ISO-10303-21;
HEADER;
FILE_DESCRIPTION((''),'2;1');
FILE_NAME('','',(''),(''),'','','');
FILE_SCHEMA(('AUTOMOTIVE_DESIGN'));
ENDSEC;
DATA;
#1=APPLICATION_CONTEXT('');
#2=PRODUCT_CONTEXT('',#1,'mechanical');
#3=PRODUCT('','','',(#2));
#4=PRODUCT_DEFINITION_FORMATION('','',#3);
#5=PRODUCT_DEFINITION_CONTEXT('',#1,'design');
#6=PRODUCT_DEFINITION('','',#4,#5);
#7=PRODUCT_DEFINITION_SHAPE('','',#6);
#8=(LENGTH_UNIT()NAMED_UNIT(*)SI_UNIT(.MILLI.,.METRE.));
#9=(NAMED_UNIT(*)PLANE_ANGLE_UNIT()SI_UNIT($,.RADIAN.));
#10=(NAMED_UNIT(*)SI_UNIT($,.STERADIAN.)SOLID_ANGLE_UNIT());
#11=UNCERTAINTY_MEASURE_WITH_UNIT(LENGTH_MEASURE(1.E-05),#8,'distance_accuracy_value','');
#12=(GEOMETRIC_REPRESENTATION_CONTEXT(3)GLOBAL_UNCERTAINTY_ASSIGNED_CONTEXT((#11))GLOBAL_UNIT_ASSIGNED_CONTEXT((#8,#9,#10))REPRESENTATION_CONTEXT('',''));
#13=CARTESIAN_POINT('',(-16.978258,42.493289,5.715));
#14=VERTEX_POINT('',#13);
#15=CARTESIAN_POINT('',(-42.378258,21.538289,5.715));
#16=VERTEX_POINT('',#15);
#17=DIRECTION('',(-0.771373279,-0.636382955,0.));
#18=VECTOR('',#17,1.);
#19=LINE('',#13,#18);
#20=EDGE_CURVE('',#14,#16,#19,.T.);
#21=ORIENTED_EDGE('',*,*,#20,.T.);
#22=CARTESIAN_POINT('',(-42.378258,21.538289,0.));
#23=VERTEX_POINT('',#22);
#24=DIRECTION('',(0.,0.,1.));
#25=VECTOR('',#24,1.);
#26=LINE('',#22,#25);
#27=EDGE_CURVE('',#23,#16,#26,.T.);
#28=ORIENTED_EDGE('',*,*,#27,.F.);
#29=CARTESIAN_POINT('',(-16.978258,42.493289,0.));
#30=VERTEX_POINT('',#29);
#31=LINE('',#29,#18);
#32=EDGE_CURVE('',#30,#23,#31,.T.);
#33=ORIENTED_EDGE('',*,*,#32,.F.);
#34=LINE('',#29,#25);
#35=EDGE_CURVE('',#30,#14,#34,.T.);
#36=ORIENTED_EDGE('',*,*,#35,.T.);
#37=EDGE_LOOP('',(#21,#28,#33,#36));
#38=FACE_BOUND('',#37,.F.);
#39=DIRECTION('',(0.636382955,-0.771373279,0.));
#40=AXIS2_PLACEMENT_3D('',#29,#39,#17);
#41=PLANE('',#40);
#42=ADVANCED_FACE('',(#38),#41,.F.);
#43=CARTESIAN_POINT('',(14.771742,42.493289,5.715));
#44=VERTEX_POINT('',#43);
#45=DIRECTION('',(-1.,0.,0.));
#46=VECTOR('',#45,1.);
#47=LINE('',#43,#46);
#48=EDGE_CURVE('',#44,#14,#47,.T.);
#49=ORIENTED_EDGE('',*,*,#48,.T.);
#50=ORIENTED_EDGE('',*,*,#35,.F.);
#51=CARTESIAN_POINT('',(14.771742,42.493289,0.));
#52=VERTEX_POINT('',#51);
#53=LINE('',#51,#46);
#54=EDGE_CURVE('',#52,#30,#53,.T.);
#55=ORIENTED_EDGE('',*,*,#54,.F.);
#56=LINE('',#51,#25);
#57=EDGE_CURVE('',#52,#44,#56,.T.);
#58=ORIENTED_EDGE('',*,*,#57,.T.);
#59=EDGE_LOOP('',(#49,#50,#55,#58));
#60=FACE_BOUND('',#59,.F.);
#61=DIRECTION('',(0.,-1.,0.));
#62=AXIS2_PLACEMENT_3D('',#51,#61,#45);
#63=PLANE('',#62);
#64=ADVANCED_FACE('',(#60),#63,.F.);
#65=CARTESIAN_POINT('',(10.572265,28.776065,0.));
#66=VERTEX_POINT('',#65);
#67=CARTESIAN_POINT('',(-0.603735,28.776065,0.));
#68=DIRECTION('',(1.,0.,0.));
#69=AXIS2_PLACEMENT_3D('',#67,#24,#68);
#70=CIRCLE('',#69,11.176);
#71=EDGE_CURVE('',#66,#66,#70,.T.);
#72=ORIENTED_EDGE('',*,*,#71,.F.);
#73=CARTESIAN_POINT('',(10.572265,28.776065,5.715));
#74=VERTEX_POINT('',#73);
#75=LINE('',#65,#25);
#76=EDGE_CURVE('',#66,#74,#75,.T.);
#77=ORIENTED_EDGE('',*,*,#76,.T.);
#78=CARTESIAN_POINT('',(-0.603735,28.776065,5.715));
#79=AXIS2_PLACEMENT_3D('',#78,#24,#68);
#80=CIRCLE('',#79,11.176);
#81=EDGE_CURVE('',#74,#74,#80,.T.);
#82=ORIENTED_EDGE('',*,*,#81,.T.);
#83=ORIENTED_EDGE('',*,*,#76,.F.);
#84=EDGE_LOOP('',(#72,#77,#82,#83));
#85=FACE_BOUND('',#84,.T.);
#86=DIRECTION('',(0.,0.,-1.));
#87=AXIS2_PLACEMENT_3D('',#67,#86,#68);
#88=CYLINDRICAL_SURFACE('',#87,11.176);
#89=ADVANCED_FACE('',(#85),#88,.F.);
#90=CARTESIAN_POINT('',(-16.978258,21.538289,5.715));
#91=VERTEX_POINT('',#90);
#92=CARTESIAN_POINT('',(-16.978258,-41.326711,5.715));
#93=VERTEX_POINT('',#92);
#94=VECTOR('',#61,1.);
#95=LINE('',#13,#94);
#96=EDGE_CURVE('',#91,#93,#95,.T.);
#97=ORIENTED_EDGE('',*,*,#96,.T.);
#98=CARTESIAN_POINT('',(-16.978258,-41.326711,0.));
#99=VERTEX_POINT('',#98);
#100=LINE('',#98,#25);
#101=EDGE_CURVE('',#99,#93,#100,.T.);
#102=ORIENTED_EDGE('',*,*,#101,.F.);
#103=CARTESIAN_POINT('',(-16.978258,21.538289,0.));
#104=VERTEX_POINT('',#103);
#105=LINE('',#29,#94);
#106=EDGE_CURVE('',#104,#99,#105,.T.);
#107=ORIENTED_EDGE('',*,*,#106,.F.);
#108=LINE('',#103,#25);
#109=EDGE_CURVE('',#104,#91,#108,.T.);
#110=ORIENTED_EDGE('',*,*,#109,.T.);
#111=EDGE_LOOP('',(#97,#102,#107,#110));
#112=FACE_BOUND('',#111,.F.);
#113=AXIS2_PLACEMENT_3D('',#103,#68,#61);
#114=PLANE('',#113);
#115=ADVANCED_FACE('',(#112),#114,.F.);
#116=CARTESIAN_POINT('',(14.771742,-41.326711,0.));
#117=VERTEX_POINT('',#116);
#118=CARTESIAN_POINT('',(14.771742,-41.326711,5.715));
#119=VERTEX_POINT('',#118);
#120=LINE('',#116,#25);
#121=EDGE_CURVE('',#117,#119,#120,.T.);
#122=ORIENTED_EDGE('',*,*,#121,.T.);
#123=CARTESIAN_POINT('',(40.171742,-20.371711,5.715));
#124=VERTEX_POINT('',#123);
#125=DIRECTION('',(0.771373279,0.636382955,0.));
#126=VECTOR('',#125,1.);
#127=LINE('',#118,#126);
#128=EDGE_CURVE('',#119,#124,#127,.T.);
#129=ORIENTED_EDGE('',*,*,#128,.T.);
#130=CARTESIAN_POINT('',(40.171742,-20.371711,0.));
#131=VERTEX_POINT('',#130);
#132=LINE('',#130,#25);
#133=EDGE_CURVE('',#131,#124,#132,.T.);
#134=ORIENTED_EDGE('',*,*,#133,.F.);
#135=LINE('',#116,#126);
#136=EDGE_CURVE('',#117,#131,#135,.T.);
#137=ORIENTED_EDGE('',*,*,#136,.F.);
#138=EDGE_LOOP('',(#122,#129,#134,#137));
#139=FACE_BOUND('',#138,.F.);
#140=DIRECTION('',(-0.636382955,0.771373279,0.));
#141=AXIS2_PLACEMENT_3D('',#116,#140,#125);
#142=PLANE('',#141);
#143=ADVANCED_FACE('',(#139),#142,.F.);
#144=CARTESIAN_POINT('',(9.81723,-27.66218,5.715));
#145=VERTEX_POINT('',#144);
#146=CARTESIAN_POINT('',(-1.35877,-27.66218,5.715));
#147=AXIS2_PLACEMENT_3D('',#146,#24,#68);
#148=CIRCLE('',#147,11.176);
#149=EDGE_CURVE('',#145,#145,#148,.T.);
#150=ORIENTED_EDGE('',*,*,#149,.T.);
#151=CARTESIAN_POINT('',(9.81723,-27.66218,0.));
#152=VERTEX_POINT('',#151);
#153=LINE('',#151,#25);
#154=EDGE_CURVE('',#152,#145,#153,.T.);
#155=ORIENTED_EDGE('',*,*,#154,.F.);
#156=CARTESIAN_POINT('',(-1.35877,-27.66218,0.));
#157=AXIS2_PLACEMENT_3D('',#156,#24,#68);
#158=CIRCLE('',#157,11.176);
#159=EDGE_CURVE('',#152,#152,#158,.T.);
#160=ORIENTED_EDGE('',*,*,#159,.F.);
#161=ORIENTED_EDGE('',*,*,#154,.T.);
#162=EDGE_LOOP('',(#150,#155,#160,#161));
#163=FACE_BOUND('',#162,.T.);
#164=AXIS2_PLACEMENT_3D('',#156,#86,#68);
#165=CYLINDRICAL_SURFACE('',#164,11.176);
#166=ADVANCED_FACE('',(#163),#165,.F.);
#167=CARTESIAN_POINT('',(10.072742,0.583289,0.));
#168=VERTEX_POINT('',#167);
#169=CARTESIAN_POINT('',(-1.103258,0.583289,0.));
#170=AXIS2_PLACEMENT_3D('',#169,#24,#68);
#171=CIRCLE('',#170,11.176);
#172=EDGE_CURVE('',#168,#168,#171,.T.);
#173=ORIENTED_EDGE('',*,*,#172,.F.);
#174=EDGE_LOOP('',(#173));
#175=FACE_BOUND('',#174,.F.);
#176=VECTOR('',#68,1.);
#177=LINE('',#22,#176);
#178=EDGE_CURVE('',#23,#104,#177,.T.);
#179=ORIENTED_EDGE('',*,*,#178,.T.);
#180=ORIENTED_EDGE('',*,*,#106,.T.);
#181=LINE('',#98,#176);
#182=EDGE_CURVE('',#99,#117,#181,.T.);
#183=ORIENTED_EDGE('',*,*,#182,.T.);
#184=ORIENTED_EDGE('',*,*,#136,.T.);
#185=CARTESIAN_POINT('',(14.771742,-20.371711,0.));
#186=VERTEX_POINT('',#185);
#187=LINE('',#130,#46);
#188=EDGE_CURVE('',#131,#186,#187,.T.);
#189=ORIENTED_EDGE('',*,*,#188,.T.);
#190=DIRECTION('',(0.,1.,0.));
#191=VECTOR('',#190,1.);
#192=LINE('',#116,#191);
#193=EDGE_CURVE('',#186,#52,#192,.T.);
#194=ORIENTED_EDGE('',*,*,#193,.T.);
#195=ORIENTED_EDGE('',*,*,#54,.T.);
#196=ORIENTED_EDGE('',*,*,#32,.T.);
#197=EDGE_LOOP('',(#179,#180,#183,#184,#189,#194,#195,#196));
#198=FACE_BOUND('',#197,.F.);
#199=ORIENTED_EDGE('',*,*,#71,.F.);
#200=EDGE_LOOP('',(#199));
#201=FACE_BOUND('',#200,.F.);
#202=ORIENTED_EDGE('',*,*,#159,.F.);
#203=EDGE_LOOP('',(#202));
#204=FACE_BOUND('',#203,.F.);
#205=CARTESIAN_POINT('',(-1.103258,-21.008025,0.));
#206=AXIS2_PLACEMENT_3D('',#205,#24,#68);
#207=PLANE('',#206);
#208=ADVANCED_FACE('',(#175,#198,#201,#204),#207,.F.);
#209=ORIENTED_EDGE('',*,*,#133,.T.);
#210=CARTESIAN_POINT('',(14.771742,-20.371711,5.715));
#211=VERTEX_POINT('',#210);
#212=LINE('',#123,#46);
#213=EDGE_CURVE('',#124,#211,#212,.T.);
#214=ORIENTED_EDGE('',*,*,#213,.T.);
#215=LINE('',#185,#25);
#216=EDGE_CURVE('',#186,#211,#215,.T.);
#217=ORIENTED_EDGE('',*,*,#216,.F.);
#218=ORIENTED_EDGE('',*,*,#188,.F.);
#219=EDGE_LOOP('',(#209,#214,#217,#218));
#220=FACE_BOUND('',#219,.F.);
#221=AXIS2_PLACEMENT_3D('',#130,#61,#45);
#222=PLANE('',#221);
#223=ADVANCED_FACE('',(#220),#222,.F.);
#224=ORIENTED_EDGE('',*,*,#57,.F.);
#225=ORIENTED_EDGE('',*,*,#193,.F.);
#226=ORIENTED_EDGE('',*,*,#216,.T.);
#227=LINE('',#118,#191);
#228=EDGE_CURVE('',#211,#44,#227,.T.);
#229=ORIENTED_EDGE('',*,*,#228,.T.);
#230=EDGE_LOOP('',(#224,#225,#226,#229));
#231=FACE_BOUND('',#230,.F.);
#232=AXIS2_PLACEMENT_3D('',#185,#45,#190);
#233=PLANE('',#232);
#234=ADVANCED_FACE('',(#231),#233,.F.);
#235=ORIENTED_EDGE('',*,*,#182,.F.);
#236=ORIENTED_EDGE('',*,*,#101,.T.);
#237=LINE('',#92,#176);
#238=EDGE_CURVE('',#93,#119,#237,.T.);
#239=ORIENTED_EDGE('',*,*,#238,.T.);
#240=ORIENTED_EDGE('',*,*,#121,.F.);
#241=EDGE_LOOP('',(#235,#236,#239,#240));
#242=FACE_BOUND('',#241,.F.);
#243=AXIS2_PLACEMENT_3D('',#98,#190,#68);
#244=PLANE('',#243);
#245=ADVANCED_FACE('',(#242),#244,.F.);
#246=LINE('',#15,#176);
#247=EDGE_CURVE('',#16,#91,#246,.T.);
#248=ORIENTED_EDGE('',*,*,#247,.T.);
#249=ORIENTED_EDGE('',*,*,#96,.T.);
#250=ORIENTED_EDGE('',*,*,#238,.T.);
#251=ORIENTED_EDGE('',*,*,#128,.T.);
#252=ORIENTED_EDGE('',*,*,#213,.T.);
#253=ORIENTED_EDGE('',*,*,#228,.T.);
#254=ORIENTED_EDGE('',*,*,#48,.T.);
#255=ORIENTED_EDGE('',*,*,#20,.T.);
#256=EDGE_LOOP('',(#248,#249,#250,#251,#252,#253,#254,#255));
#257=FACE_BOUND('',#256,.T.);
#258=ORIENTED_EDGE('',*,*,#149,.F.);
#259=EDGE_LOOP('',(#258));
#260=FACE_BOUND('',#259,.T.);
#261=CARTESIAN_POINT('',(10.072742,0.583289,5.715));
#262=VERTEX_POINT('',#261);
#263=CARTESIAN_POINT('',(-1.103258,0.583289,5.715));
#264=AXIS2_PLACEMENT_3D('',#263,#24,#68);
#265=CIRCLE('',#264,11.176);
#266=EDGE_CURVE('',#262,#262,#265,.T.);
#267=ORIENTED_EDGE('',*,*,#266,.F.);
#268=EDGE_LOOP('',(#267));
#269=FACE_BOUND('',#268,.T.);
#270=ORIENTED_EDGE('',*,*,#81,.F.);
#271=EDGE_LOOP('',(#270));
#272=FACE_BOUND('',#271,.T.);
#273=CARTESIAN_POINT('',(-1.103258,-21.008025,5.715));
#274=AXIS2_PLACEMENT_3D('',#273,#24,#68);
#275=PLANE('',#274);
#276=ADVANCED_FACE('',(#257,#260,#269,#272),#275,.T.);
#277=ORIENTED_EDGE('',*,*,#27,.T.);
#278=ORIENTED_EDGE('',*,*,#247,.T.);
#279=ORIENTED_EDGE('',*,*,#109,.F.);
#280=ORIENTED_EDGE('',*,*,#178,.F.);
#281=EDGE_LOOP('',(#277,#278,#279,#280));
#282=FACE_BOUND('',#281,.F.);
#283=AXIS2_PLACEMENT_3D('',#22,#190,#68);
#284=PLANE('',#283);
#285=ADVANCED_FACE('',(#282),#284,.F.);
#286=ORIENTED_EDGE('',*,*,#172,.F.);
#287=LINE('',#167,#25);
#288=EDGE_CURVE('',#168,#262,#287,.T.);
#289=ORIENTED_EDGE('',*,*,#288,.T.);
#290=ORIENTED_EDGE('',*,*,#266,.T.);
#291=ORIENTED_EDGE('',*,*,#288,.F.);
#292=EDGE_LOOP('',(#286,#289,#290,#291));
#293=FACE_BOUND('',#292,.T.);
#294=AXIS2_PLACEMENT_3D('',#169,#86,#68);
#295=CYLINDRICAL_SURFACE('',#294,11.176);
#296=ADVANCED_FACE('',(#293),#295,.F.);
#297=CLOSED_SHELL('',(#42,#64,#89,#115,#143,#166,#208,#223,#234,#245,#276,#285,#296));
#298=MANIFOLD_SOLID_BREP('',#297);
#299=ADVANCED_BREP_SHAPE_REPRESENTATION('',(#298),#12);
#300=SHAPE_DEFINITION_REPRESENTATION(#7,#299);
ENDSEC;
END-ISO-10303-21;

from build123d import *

# Parameters (mm, degrees)
F0_R     = 11.176
F1_DEPTH = 5.715


with BuildPart() as f1:
    # F0 (on Top) → F1 (new body)
    with BuildSketch(Plane.XY):
        with BuildLine():
            Line((14.771742, -20.371711), (14.771742, 0.583289))
            ThreePointArc((14.771742, 0.583289), (-1.103258, -15.291711), (-16.978258, 0.583289))
            Line((-16.978258, 0.583289), (-16.978258, -41.326711))
            Line((-16.978258, -41.326711), (14.771742, -41.326711))
            Line((14.771742, -41.326711), (14.771742, -20.371711))
        make_face()
        with Locations((-1.35877, -27.66218)):
            Circle(F0_R, mode=Mode.SUBTRACT)
        with BuildLine():
            ThreePointArc((-16.978258, 0.583289), (-1.103258, -15.291711), (14.771742, 0.583289))
            ThreePointArc((14.771742, 0.583289), (-1.103258, 16.458289), (-16.978258, 0.583289))
        make_face()
        with Locations((-1.103258, 0.583289)):
            Circle(F0_R, mode=Mode.SUBTRACT)
        with BuildLine():
            ThreePointArc((-16.978258, 0.583289), (-1.103258, 16.458289), (14.771742, 0.583289))
            Line((14.771742, 0.583289), (14.771742, 42.493289))
            Line((14.771742, 42.493289), (-16.978258, 42.493289))
            Line((-16.978258, 42.493289), (-16.978258, 21.538289))
            Line((-16.978258, 21.538289), (-16.978258, 0.583289))
        make_face()
        with Locations((-0.603735, 28.776065)):
            Circle(F0_R, mode=Mode.SUBTRACT)
        Polygon((40.171742, -20.371711), (14.771742, -20.371711), (14.771742, -41.326711), align=None)
        Polygon((-42.378258, 21.538289), (-16.978258, 21.538289), (-16.978258, 42.493289), align=None)
    extrude(amount=F1_DEPTH)


solid = f1.part
